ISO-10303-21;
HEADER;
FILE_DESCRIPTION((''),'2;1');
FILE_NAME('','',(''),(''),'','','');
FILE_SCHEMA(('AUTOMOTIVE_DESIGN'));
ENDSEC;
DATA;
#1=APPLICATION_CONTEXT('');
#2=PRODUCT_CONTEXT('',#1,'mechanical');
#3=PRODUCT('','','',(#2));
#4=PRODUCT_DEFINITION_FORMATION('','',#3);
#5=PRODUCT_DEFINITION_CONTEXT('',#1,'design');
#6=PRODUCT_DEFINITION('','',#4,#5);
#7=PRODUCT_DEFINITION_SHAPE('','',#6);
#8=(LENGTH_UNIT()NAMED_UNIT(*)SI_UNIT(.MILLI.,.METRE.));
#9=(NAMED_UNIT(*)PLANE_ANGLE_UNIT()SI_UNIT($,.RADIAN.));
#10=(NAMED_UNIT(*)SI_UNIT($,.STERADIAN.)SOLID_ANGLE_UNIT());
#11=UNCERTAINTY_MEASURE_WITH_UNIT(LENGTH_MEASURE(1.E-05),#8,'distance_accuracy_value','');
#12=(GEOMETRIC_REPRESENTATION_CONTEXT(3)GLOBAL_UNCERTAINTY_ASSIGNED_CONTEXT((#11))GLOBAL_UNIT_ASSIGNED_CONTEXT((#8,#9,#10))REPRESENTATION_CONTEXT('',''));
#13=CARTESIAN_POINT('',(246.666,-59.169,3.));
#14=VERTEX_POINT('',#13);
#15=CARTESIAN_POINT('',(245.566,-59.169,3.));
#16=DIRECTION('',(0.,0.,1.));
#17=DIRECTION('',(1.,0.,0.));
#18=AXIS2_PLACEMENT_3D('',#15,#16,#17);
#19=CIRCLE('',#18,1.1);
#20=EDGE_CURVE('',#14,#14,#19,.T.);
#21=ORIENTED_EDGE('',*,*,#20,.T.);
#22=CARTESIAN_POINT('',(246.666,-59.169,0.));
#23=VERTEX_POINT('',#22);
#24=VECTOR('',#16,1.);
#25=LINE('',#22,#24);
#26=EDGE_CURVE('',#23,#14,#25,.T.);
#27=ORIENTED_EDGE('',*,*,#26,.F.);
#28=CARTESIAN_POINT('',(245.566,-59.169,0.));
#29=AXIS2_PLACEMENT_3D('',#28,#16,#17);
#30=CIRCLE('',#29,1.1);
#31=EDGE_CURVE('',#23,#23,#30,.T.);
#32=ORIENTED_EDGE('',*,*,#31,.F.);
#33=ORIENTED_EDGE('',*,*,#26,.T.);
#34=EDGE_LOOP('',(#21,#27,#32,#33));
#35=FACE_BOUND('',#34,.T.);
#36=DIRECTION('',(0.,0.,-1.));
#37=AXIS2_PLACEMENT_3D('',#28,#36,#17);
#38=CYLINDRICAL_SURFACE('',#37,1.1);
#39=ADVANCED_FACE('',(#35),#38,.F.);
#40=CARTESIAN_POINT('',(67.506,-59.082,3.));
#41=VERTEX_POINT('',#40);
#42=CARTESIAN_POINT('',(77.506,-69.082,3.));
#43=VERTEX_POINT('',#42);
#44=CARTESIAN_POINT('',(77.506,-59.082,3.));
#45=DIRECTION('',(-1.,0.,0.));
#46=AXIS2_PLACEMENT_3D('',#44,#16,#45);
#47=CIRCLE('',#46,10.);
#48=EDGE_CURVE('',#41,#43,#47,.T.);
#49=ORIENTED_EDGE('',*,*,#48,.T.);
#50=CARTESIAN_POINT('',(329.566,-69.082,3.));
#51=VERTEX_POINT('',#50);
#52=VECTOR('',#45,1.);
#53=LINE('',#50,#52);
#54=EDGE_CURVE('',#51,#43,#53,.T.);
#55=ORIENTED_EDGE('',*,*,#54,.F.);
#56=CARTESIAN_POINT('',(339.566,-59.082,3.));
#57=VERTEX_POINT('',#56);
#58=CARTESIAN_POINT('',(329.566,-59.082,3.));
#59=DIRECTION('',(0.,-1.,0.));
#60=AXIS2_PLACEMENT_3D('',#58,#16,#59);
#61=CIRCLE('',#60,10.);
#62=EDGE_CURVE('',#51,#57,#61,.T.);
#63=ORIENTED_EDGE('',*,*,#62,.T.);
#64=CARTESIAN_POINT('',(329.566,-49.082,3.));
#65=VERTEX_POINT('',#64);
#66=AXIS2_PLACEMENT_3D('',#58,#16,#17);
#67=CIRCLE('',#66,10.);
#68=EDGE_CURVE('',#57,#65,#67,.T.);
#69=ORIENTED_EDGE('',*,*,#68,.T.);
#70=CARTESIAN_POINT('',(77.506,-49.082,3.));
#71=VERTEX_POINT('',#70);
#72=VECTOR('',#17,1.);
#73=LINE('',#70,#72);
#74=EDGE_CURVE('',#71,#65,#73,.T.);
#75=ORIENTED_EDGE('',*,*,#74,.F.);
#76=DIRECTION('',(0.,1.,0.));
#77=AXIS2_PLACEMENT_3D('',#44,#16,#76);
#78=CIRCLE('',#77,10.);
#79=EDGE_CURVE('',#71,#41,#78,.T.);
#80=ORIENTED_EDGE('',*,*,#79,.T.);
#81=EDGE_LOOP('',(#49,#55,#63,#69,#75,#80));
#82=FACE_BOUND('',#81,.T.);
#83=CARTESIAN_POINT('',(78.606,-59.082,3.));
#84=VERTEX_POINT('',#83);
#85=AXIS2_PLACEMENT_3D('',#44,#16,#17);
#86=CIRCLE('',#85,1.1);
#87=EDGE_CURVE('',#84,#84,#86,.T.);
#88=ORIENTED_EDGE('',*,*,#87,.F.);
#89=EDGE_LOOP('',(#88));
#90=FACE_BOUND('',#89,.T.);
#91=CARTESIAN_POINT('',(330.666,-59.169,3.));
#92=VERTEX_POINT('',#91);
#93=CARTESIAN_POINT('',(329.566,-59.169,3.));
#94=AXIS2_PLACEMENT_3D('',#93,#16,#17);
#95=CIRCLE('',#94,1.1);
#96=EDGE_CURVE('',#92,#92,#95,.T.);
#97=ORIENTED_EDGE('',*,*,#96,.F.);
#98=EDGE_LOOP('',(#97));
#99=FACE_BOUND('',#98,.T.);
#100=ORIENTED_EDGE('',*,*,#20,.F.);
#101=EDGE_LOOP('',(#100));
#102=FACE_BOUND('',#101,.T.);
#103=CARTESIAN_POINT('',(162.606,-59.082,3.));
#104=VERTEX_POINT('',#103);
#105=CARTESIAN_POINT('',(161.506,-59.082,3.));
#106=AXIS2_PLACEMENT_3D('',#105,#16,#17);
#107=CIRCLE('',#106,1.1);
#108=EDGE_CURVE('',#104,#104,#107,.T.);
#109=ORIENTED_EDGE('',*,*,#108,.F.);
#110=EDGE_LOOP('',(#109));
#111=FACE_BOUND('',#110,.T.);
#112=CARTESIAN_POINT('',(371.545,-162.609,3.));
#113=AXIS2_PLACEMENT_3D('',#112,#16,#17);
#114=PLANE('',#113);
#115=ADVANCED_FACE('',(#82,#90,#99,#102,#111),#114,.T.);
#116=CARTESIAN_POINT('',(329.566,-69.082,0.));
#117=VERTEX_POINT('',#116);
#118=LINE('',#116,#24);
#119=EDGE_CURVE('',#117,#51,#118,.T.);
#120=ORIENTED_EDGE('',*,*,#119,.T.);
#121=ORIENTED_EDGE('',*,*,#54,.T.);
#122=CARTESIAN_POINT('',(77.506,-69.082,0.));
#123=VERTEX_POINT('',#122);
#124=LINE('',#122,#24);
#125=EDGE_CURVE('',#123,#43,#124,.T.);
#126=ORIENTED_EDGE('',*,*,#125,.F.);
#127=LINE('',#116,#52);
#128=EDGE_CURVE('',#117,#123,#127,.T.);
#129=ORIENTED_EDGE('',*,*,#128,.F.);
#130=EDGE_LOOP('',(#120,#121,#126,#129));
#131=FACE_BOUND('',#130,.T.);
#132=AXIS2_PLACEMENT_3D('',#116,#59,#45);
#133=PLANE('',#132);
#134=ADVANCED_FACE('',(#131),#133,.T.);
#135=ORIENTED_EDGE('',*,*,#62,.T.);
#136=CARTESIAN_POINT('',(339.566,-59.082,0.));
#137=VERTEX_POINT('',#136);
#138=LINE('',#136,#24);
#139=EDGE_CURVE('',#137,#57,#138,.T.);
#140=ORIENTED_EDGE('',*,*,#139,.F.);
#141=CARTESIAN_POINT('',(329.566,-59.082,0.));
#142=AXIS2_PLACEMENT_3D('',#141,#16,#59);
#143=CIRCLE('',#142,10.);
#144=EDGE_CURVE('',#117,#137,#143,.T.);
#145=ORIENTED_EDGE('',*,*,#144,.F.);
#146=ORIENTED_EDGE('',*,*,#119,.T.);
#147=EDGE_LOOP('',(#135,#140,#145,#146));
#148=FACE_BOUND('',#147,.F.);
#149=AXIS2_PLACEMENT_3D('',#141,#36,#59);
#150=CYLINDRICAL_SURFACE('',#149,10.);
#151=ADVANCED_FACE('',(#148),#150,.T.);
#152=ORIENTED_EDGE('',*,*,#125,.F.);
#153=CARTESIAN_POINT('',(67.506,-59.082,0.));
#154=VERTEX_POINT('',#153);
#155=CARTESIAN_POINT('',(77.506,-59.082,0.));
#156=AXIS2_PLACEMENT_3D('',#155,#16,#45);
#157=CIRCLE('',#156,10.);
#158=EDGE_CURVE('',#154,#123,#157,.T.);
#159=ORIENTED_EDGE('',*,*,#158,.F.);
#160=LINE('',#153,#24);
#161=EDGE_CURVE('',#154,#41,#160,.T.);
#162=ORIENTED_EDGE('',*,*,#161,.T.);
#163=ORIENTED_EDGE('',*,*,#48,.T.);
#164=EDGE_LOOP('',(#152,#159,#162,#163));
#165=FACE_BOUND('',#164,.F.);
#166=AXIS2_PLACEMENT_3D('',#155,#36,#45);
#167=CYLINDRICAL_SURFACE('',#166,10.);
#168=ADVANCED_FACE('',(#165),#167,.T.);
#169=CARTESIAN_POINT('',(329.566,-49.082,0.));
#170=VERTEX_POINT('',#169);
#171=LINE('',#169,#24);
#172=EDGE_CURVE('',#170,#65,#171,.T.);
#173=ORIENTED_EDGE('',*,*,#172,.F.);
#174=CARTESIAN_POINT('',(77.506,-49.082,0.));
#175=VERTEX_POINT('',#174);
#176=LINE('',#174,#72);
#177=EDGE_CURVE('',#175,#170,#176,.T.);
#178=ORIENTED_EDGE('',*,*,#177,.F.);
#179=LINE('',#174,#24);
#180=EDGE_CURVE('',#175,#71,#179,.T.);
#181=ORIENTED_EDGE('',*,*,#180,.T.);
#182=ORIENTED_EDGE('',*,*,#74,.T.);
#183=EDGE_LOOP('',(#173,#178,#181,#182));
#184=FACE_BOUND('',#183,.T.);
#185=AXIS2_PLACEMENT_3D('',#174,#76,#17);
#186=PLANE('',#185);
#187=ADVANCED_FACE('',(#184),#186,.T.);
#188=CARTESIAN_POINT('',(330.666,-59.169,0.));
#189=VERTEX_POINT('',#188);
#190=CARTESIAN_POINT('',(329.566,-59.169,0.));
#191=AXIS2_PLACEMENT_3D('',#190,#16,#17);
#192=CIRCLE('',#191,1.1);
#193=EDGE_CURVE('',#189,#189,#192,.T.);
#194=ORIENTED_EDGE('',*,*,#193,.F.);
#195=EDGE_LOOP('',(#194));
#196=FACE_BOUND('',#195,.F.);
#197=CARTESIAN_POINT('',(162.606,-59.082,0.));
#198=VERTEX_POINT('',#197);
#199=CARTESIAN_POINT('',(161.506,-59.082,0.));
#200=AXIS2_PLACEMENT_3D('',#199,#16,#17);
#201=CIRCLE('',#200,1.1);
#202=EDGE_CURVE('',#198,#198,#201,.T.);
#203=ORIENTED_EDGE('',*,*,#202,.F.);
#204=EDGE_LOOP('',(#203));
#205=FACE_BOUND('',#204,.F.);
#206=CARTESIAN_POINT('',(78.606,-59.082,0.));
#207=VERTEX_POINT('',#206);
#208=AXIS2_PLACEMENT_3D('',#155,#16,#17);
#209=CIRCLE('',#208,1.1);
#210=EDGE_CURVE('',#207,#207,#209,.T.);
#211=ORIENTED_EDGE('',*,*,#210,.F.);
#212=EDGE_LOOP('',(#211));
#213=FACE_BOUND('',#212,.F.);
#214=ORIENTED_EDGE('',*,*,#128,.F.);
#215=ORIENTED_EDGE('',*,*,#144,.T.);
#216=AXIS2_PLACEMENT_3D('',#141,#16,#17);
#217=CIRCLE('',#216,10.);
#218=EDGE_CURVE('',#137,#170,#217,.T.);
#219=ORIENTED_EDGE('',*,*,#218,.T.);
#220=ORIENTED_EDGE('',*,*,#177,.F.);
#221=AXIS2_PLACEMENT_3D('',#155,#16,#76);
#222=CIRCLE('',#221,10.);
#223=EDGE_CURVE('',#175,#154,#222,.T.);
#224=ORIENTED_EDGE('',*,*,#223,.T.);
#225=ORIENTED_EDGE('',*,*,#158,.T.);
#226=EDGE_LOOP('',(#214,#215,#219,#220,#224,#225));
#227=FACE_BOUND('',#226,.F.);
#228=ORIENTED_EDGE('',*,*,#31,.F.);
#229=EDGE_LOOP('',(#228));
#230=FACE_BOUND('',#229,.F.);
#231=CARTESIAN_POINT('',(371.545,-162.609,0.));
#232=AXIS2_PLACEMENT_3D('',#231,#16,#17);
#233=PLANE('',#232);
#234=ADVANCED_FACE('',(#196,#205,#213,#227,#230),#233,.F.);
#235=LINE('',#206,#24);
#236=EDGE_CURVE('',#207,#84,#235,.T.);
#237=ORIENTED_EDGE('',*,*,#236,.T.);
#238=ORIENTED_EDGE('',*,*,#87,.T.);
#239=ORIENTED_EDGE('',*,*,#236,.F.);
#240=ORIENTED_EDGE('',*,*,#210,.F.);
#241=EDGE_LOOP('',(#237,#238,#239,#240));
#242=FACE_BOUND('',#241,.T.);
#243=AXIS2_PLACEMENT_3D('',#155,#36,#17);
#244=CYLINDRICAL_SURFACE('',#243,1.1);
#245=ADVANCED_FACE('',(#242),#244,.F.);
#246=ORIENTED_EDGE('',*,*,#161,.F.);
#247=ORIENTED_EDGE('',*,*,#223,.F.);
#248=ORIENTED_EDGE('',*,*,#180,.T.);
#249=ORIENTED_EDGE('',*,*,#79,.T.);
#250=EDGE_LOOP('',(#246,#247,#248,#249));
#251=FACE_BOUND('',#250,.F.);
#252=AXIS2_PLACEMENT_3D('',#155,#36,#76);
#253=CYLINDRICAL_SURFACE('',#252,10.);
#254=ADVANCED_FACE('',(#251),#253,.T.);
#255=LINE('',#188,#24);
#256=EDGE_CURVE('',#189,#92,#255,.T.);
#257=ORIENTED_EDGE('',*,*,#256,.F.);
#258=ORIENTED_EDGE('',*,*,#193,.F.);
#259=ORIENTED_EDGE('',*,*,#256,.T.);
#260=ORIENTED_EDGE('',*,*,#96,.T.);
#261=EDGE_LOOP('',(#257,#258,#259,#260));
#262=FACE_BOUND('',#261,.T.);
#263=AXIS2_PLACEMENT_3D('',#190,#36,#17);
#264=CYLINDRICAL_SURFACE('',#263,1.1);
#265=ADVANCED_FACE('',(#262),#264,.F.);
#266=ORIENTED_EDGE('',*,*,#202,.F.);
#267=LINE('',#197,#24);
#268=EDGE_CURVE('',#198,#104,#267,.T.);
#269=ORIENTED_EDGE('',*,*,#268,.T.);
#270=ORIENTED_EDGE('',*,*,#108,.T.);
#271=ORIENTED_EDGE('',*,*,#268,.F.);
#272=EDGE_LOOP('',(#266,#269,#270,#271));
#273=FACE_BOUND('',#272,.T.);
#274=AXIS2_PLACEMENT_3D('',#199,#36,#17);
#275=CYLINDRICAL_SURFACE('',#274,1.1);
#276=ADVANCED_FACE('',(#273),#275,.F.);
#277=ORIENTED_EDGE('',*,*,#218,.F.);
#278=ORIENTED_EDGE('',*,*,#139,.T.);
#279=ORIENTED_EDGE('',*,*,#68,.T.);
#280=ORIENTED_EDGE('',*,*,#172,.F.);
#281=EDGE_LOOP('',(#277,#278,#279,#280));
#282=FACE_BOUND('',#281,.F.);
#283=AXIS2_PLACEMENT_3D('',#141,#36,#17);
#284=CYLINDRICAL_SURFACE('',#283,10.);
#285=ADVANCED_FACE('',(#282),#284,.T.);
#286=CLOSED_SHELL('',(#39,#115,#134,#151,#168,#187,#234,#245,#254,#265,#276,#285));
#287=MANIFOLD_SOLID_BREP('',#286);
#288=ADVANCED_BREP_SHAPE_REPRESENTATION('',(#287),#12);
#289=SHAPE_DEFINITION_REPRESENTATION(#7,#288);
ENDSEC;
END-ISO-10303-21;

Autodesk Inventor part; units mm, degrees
ref_plane "YZ Plane" through (0, 0, 0) normal (1, 0, 0) x (0, 1, 0)
ref_plane "XZ Plane" through (0, 0, 0) normal (0, 1, 0) x (-1, 0, 0)
ref_plane "XY Plane" through (0, 0, 0) normal (0, 0, 1) x (1, 0, 0)
ref_plane "Work Plane2" through (35.545, -31.609, 1.6) normal (0, 0, 1) x (1, 0, 0)
sketch "Sketch2" plane through (35.545, -31.609, 1.6) normal (0, 0, 1) x (1, 0, 0)
  line L0 (-4.7778, 3.1171) -> (341.5466, 3.1925) construction
  line L1 (341.5466, 3.1925) -> (341.5765, -133.848) construction
  line L2 (341.5765, -133.848) -> (-4.7479, -133.9235) construction
  line L3 (-4.7479, -133.9235) -> (-4.7778, 3.1171) construction
  point P0 (-35.545, 31.609)
ref_plane "Work Plane1" through (371.545, -162.609, 0) normal (0, 0, -1) x (-1, 0, 0)
sketch "Sketch9" plane through (371.545, -162.609, 0) normal (0, 0, -1) x (-1, 0, 0)
  line L0 (336, 131) -> (0, 131) projected
  line L1 (-2, 129) -> (-2, 2) projected
  line L2 (-1.9796, 129.2846) -> (-2, 129) projected
  line L3 (-1.919, 129.5635) -> (-1.9796, 129.2846) projected
  line L4 (-1.8193, 129.8308) -> (-1.919, 129.5635) projected
  line L5 (-1.6825, 130.0813) -> (-1.8193, 129.8308) projected
  line L6 (-1.5115, 130.3097) -> (-1.6825, 130.0813) projected
  line L7 (-1.3097, 130.5115) -> (-1.5115, 130.3097) projected
  line L8 (-1.0813, 130.6825) -> (-1.3097, 130.5115) projected
  line L9 (-0.8308, 130.8193) -> (-1.0813, 130.6825) projected
  line L10 (-0.5635, 130.919) -> (-0.8308, 130.8193) projected
  line L11 (-0.2846, 130.9796) -> (-0.5635, 130.919) projected
  line L12 (0, 131) -> (-0.2846, 130.9796) projected
  circle A0 centre (2.362, 128.645) radius 1.1 projected
  circle A1 centre (68.695, 128.645) radius 1.1 projected
  circle A2 centre (135.028, 128.645) radius 1.1 projected
  circle A3 centre (201.361, 128.645) radius 1.1 projected
  circle A4 centre (267.694, 128.645) radius 1.1 projected
  circle A5 centre (334.027, 128.645) radius 1.1 projected
  line L13 (338, 2) -> (338, 129) projected
  line L14 (338, 129) -> (337.9796, 129.2846) projected
  line L15 (337.9796, 129.2846) -> (337.919, 129.5635) projected
  line L16 (337.919, 129.5635) -> (337.8193, 129.8308) projected
  line L17 (337.8193, 129.8308) -> (337.6825, 130.0813) projected
  line L18 (337.6825, 130.0813) -> (337.5115, 130.3097) projected
  line L19 (337.5115, 130.3097) -> (337.3097, 130.5115) projected
  line L20 (337.3097, 130.5115) -> (337.0813, 130.6825) projected
  line L21 (337.0813, 130.6825) -> (336.8308, 130.8193) projected
  line L22 (336.8308, 130.8193) -> (336.5635, 130.919) projected
  line L23 (336.5635, 130.919) -> (336.2846, 130.9796) projected
  line L24 (336.2846, 130.9796) -> (336, 131) projected
  line L25 (0, 0) -> (336, 0) projected
  line L26 (336, 0) -> (336.2846, 0.0204) projected
  line L27 (336.2846, 0.0204) -> (336.5635, 0.081) projected
  line L28 (336.5635, 0.081) -> (336.8308, 0.1807) projected
  line L29 (336.8308, 0.1807) -> (337.0813, 0.3175) projected
  line L30 (337.0813, 0.3175) -> (337.3097, 0.4885) projected
  line L31 (337.3097, 0.4885) -> (337.5115, 0.6903) projected
  line L32 (337.5115, 0.6903) -> (337.6825, 0.9187) projected
  line L33 (337.6825, 0.9187) -> (337.8193, 1.1692) projected
  line L34 (337.8193, 1.1692) -> (337.919, 1.4365) projected
  line L35 (337.919, 1.4365) -> (337.9796, 1.7154) projected
  line L36 (337.9796, 1.7154) -> (338, 2) projected
  circle A6 centre (334.02, 2.37) radius 1.1 projected
  circle A7 centre (267.687, 2.37) radius 1.1 projected
  circle A8 centre (201.354, 2.37) radius 1.1 projected
  circle A9 centre (135.021, 2.37) radius 1.1 projected
  circle A10 centre (68.688, 2.37) radius 1.1 projected
  circle A11 centre (2.355, 2.37) radius 1.1 projected
  line L37 (-0.2846, 0.0204) -> (0, 0) projected
  line L38 (-0.5635, 0.081) -> (-0.2846, 0.0204) projected
  line L39 (-0.8308, 0.1807) -> (-0.5635, 0.081) projected
  line L40 (-1.0813, 0.3175) -> (-0.8308, 0.1807) projected
  line L41 (-1.3097, 0.4885) -> (-1.0813, 0.3175) projected
  line L42 (-1.5115, 0.6903) -> (-1.3097, 0.4885) projected
  line L43 (-1.6825, 0.9187) -> (-1.5115, 0.6903) projected
  line L44 (-1.8193, 1.1692) -> (-1.6825, 0.9187) projected
  line L45 (-1.919, 1.4365) -> (-1.8193, 1.1692) projected
  line L46 (-1.9796, 1.7154) -> (-1.919, 1.4365) projected
  line L47 (-2, 2) -> (-1.9796, 1.7154) projected
  circle A12 centre (41.979, 103.44) radius 1.1 projected
  circle A13 centre (125.979, 103.44) radius 1.1 projected
  circle A14 centre (210.039, 103.527) radius 1.1 projected
  circle A15 centre (294.039, 103.527) radius 1.1 projected
  point P0 (371.545, 162.609)
ref_plane "Work Plane3" through (371.545, -162.609, 0) normal (0, 0, 1) x (1, 0, 0)
sketch "Sketch10" plane through (371.545, -162.609, 0) normal (0, 0, 1) x (1, 0, 0)
  circle A0 centre (-294.039, 103.527) radius 1.1 projected
  circle A1 centre (-210.039, 103.527) radius 1.1 projected
  circle A2 centre (-125.979, 103.44) radius 1.1 projected
  circle A3 centre (-41.979, 103.44) radius 1.1 projected
  line L0 (-294.039, 113.527) -> (-41.979, 113.527)
  line L1 (-31.979, 103.527) -> (-31.979, 103.527)
  line L2 (-41.979, 93.527) -> (-294.039, 93.527)
  line L3 (-304.039, 103.527) -> (-304.039, 103.527)
  arc A4 (-31.979, 103.527) -> (-41.979, 113.527) centre (-41.979, 103.527) ccw
  arc A5 (-41.979, 93.527) -> (-31.979, 103.527) centre (-41.979, 103.527) ccw
  arc A6 (-294.039, 113.527) -> (-304.039, 103.527) centre (-294.039, 103.527) ccw
  arc A7 (-304.039, 103.527) -> (-294.039, 93.527) centre (-294.039, 103.527) ccw
  point P0 (-371.545, 162.609)
  point P1 (-31.979, 103.527)
  dimension "d89" = 10
  dimension "d90" = 10
  dimension "d91" = 10
  dimension "d92" = 10
  dimension "d93" = 10
extrude "Extrusion4" add sketch "Sketch10" along normal blind 3
properties part number "foot4"
